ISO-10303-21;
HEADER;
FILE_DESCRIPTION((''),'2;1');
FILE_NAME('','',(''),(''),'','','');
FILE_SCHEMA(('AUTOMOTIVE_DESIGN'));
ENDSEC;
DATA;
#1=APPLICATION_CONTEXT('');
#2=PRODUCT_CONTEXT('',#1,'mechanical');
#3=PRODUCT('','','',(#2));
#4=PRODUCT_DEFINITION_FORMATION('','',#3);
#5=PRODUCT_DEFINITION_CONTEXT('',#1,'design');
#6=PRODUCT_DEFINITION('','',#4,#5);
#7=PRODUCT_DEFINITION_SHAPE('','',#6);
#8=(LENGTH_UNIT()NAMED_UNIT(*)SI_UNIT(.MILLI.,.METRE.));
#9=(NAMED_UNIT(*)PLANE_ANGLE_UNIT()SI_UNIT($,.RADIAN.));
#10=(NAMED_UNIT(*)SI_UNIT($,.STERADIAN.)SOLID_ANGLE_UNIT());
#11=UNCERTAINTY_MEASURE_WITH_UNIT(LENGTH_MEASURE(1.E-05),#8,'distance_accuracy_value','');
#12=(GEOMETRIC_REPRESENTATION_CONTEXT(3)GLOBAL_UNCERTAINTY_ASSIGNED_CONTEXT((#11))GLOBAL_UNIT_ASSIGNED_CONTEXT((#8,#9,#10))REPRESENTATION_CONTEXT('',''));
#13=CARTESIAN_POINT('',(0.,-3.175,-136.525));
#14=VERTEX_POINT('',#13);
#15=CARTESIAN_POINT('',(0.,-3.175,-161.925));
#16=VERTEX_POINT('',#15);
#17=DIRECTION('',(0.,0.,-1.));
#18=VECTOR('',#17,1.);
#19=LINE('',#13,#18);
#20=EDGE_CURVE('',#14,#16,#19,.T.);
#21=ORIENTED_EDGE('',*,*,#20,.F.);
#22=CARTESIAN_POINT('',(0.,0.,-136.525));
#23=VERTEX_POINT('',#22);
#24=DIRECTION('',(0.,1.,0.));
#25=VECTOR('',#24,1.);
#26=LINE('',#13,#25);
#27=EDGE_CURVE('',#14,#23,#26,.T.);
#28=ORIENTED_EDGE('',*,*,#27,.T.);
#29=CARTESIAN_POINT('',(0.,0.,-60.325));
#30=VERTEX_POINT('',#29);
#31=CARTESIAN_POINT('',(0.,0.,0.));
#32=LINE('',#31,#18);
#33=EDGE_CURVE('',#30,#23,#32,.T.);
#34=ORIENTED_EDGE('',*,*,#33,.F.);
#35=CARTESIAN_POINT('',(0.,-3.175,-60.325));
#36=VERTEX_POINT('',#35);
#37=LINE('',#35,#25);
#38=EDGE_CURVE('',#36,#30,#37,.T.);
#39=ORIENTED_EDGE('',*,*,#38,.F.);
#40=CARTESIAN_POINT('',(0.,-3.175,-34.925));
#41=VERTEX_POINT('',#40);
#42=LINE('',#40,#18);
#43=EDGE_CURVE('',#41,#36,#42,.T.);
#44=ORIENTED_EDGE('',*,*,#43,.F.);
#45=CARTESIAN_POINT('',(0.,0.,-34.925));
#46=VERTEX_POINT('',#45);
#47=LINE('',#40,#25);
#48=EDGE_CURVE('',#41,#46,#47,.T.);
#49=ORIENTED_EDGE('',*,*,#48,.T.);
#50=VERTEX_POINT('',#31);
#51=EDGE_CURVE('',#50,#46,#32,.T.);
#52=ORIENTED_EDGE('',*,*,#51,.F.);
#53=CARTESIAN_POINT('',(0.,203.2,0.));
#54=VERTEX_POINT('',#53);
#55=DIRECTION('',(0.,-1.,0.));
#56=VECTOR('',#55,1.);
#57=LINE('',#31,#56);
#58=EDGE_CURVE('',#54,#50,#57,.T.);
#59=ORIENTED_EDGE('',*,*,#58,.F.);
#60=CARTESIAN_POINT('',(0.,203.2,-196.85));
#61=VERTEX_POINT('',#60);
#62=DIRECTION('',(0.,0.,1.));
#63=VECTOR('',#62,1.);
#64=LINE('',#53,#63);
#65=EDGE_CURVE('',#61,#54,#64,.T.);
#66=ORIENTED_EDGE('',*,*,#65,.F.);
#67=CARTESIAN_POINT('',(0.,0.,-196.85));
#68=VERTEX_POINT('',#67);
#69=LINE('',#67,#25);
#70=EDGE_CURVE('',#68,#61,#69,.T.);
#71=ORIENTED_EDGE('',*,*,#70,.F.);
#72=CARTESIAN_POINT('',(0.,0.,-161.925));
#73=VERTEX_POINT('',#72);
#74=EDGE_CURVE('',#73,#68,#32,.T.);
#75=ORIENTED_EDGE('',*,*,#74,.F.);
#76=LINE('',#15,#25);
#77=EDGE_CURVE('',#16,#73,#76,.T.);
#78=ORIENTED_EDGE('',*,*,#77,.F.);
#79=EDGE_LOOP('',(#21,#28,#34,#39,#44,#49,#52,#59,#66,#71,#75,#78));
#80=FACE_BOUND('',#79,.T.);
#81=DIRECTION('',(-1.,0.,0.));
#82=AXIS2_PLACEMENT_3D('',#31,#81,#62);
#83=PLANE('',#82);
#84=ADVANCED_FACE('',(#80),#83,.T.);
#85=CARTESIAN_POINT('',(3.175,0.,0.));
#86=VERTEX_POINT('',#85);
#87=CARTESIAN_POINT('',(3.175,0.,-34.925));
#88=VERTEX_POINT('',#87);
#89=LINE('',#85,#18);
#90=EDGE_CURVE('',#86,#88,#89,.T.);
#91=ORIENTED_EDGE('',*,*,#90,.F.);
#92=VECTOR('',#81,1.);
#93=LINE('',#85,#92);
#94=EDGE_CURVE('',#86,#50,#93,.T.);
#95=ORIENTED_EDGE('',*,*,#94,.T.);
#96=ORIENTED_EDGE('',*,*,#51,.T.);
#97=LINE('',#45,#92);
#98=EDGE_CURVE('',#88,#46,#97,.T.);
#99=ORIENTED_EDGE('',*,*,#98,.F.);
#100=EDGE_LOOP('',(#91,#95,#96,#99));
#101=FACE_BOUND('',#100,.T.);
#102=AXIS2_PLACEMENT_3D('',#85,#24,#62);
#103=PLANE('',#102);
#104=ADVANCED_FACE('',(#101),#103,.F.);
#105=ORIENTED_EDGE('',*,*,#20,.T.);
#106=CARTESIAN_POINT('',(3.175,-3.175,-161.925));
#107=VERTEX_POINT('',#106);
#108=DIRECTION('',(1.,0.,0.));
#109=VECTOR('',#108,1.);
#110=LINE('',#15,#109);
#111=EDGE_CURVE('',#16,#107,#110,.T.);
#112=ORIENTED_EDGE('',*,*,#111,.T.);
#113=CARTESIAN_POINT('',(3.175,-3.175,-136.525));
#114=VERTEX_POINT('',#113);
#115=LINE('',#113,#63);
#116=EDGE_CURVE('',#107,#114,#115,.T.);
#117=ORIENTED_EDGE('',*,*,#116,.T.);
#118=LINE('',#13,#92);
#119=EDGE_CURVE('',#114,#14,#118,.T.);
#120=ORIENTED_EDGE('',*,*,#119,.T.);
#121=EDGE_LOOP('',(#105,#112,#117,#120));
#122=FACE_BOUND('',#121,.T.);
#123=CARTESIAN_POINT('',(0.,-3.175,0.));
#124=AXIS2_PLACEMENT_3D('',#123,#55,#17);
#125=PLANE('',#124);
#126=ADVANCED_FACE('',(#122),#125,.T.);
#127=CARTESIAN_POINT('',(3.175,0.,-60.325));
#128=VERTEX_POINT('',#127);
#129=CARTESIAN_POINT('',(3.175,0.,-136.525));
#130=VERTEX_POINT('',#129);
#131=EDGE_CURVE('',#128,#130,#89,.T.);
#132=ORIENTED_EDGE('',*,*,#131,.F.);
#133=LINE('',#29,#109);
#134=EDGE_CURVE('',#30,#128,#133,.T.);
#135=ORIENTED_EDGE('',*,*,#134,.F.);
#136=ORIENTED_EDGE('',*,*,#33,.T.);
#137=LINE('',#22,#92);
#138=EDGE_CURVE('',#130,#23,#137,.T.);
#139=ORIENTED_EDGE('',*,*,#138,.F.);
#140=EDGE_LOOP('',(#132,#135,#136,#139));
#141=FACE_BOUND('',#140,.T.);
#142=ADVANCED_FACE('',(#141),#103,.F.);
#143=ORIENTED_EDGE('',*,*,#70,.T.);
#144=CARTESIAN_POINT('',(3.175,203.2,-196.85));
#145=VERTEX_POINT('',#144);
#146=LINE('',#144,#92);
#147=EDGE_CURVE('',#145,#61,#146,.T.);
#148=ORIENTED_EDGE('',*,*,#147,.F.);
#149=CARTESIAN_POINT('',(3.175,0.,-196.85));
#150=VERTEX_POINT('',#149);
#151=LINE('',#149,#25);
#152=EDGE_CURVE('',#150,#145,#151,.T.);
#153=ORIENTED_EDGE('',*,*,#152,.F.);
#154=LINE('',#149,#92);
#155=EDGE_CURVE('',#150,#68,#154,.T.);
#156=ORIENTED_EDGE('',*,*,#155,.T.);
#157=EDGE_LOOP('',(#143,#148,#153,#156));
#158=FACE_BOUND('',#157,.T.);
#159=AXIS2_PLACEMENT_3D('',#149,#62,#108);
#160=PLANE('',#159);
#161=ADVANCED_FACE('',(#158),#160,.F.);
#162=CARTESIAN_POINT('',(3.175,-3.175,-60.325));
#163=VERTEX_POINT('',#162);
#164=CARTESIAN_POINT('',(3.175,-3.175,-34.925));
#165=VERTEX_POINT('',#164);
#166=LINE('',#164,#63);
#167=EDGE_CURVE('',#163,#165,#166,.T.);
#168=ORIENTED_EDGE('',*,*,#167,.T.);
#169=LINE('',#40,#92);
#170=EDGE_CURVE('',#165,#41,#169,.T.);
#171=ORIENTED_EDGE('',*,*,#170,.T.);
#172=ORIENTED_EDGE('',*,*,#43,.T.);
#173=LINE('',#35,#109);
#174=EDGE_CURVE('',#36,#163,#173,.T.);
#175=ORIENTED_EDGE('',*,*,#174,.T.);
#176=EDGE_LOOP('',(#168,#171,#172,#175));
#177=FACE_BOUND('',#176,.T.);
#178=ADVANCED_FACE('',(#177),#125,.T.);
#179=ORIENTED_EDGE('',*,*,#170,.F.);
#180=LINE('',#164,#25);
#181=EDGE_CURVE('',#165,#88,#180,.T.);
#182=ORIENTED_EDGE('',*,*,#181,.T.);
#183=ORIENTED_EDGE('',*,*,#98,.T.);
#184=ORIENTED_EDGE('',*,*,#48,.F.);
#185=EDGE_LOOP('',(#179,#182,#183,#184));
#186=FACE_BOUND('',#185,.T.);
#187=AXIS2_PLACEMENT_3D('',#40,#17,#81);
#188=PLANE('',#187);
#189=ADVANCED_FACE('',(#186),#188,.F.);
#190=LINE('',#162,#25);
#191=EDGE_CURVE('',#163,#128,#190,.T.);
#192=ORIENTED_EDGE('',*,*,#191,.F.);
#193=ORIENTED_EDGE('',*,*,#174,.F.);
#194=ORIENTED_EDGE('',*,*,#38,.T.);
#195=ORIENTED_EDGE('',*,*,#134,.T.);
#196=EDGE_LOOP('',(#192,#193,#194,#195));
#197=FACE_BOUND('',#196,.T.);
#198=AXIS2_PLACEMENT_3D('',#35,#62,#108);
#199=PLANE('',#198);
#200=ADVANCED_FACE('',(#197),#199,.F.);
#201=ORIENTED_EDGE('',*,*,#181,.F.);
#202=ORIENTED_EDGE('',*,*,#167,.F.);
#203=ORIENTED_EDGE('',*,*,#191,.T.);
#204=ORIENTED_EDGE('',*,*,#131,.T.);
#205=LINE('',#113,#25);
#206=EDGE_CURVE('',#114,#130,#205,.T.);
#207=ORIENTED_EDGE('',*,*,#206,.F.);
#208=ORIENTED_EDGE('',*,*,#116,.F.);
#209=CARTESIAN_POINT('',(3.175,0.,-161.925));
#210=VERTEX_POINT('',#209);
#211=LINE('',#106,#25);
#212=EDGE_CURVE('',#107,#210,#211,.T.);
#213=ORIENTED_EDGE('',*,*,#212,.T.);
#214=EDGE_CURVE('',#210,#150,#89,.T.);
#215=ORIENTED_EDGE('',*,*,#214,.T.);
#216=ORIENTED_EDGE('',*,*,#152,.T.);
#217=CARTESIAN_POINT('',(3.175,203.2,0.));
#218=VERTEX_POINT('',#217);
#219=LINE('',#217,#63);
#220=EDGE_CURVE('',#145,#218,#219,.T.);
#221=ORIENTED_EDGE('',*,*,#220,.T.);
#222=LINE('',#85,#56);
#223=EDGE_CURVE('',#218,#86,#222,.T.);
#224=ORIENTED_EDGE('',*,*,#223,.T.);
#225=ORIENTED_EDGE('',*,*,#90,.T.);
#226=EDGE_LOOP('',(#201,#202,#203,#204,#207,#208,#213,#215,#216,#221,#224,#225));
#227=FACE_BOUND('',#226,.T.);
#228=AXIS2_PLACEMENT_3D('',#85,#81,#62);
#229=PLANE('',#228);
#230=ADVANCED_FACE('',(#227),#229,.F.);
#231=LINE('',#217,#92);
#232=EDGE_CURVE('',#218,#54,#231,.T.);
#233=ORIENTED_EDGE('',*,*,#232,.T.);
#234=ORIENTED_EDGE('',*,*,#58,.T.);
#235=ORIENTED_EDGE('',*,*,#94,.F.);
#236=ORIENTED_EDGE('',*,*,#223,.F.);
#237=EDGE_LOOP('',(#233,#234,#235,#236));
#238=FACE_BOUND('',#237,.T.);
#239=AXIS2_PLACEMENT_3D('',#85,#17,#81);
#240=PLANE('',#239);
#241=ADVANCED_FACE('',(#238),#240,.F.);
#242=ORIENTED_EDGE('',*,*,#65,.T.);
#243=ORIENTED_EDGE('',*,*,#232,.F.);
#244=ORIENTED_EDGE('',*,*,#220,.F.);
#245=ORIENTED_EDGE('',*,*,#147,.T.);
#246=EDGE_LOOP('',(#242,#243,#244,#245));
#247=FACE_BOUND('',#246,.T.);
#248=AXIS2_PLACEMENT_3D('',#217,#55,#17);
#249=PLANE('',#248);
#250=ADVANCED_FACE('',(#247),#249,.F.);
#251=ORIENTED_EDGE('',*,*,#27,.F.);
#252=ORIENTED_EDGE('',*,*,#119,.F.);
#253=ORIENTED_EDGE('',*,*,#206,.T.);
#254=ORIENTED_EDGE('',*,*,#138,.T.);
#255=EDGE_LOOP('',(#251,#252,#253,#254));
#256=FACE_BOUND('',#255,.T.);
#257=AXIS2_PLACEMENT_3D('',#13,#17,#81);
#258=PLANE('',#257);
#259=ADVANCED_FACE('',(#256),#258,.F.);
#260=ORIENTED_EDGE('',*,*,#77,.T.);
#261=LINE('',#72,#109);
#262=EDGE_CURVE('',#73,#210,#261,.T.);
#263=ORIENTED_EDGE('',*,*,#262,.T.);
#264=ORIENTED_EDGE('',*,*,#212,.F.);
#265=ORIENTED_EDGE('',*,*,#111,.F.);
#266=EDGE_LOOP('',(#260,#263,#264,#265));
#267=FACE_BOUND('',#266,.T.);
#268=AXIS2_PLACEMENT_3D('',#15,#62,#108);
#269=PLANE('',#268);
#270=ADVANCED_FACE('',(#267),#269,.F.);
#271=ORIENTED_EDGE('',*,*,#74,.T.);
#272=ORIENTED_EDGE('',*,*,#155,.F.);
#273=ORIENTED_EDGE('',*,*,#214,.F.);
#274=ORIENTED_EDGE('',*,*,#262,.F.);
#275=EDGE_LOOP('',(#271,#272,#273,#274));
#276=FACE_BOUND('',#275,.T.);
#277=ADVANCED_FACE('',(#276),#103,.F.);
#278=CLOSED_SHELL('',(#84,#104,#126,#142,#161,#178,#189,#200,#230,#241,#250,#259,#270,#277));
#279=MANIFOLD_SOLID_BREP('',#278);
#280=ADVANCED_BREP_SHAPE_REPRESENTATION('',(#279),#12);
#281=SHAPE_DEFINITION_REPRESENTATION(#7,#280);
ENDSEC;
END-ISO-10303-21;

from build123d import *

# Parameters (mm, degrees)
SKETCH1_W           = 196.85
SKETCH1_H           = 203.2
BOSS_EXTRUDE1_DEPTH = 3.175
SKETCH3_W           = 3.175
SKETCH3_H           = 25.4
BOSS_EXTRUDE2_DEPTH = 3.175


with BuildPart() as part:
    # Sketch1 → Boss-Extrude1 (new body)
    with BuildSketch(Plane(origin=(0, 0, 0), x_dir=(0, 0, -1), z_dir=(1, 0, 0))):
        with Locations((98.425, 101.6)):
            Rectangle(SKETCH1_W, SKETCH1_H)
    extrude(amount=BOSS_EXTRUDE1_DEPTH)

    # Sketch3 → Boss-Extrude2 (add)
    with BuildSketch(Plane.XZ):
        with Locations((1.5875, -47.625)):
            Rectangle(SKETCH3_W, SKETCH3_H)
        with Locations((1.5875, -149.225)):
            Rectangle(SKETCH3_W, SKETCH3_H)
    extrude(amount=BOSS_EXTRUDE2_DEPTH)


solid = part.part
